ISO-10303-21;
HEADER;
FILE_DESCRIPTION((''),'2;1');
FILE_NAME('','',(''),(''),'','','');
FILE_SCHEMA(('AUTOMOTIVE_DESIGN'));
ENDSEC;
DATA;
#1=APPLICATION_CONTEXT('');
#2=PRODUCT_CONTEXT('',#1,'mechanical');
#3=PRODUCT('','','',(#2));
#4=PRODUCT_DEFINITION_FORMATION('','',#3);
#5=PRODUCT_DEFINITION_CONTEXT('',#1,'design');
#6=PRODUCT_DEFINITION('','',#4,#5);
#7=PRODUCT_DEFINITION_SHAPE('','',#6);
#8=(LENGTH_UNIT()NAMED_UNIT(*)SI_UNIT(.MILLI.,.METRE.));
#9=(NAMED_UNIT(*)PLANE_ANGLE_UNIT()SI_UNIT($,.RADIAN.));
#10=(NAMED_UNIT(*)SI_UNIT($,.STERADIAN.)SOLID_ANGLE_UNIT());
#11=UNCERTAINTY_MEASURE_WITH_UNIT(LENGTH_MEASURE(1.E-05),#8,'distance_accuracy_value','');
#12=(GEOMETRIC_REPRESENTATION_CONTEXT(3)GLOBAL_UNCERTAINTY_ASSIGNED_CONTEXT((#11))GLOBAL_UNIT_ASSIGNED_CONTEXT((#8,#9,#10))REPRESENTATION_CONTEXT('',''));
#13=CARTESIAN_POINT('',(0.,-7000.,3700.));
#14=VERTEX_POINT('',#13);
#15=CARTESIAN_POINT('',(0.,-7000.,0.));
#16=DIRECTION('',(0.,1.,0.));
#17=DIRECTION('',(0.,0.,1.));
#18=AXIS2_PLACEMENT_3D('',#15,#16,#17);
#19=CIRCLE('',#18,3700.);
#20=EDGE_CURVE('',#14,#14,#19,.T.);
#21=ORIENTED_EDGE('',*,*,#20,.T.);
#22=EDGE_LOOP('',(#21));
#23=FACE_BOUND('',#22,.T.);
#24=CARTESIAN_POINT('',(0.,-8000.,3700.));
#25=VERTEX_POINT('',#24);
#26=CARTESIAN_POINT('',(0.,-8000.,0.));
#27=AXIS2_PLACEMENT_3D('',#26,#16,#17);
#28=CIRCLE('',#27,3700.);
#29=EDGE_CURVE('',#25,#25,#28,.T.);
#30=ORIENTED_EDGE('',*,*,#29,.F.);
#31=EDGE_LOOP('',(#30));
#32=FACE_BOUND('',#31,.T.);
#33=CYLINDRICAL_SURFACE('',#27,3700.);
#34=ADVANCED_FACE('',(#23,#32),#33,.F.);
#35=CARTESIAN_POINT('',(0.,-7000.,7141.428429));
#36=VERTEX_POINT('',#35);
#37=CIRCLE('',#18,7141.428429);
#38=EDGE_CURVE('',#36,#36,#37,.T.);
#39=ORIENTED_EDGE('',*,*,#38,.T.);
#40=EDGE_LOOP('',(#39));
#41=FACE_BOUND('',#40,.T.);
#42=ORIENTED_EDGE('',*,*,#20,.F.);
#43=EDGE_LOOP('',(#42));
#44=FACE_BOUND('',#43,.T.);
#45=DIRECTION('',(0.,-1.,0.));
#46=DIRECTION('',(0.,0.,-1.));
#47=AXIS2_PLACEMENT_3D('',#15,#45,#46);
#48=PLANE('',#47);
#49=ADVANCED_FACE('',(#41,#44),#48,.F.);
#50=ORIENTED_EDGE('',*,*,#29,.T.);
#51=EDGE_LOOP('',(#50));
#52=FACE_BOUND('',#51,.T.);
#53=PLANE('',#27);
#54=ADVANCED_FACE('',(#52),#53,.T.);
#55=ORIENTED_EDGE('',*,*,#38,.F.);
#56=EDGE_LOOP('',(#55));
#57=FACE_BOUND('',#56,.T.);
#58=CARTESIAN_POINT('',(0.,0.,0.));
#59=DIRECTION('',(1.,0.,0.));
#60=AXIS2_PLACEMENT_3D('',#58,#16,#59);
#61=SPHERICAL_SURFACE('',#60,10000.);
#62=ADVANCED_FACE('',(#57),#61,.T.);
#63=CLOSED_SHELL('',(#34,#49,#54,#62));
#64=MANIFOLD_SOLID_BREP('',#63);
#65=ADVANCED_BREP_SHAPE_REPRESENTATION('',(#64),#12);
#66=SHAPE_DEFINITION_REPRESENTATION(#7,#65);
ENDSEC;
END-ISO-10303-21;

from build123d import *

# Parameters (mm, degrees)
SKETCH_2_R          = 3700
CUT_EXTRUDE_2_DEPTH = 1000


with BuildPart() as part:
    # ｽｹｯﾁ1 → 回転1 (revolve)
    with BuildSketch(Plane.XY):
        with BuildLine():
            Line((0, -10000), (0, -7000))
            Line((0, -7000), (7141.428428543, -7000))
            ThreePointArc((7141.428428543, -7000), (3872.983346207, -9219.544457293), (0, -10000))
        make_face()
    revolve(axis=Axis((0, 10000, 0), (0, -1, 0)))

    # ｽｹｯﾁ2 → ｶｯﾄ - 押し出し2 (cut)
    with BuildSketch(Plane(origin=(0, -7000, 0), x_dir=(1, 0, 0), z_dir=(0, 1, 0))):
        Circle(SKETCH_2_R)
    extrude(amount=-CUT_EXTRUDE_2_DEPTH, mode=Mode.SUBTRACT)


solid = part.part
